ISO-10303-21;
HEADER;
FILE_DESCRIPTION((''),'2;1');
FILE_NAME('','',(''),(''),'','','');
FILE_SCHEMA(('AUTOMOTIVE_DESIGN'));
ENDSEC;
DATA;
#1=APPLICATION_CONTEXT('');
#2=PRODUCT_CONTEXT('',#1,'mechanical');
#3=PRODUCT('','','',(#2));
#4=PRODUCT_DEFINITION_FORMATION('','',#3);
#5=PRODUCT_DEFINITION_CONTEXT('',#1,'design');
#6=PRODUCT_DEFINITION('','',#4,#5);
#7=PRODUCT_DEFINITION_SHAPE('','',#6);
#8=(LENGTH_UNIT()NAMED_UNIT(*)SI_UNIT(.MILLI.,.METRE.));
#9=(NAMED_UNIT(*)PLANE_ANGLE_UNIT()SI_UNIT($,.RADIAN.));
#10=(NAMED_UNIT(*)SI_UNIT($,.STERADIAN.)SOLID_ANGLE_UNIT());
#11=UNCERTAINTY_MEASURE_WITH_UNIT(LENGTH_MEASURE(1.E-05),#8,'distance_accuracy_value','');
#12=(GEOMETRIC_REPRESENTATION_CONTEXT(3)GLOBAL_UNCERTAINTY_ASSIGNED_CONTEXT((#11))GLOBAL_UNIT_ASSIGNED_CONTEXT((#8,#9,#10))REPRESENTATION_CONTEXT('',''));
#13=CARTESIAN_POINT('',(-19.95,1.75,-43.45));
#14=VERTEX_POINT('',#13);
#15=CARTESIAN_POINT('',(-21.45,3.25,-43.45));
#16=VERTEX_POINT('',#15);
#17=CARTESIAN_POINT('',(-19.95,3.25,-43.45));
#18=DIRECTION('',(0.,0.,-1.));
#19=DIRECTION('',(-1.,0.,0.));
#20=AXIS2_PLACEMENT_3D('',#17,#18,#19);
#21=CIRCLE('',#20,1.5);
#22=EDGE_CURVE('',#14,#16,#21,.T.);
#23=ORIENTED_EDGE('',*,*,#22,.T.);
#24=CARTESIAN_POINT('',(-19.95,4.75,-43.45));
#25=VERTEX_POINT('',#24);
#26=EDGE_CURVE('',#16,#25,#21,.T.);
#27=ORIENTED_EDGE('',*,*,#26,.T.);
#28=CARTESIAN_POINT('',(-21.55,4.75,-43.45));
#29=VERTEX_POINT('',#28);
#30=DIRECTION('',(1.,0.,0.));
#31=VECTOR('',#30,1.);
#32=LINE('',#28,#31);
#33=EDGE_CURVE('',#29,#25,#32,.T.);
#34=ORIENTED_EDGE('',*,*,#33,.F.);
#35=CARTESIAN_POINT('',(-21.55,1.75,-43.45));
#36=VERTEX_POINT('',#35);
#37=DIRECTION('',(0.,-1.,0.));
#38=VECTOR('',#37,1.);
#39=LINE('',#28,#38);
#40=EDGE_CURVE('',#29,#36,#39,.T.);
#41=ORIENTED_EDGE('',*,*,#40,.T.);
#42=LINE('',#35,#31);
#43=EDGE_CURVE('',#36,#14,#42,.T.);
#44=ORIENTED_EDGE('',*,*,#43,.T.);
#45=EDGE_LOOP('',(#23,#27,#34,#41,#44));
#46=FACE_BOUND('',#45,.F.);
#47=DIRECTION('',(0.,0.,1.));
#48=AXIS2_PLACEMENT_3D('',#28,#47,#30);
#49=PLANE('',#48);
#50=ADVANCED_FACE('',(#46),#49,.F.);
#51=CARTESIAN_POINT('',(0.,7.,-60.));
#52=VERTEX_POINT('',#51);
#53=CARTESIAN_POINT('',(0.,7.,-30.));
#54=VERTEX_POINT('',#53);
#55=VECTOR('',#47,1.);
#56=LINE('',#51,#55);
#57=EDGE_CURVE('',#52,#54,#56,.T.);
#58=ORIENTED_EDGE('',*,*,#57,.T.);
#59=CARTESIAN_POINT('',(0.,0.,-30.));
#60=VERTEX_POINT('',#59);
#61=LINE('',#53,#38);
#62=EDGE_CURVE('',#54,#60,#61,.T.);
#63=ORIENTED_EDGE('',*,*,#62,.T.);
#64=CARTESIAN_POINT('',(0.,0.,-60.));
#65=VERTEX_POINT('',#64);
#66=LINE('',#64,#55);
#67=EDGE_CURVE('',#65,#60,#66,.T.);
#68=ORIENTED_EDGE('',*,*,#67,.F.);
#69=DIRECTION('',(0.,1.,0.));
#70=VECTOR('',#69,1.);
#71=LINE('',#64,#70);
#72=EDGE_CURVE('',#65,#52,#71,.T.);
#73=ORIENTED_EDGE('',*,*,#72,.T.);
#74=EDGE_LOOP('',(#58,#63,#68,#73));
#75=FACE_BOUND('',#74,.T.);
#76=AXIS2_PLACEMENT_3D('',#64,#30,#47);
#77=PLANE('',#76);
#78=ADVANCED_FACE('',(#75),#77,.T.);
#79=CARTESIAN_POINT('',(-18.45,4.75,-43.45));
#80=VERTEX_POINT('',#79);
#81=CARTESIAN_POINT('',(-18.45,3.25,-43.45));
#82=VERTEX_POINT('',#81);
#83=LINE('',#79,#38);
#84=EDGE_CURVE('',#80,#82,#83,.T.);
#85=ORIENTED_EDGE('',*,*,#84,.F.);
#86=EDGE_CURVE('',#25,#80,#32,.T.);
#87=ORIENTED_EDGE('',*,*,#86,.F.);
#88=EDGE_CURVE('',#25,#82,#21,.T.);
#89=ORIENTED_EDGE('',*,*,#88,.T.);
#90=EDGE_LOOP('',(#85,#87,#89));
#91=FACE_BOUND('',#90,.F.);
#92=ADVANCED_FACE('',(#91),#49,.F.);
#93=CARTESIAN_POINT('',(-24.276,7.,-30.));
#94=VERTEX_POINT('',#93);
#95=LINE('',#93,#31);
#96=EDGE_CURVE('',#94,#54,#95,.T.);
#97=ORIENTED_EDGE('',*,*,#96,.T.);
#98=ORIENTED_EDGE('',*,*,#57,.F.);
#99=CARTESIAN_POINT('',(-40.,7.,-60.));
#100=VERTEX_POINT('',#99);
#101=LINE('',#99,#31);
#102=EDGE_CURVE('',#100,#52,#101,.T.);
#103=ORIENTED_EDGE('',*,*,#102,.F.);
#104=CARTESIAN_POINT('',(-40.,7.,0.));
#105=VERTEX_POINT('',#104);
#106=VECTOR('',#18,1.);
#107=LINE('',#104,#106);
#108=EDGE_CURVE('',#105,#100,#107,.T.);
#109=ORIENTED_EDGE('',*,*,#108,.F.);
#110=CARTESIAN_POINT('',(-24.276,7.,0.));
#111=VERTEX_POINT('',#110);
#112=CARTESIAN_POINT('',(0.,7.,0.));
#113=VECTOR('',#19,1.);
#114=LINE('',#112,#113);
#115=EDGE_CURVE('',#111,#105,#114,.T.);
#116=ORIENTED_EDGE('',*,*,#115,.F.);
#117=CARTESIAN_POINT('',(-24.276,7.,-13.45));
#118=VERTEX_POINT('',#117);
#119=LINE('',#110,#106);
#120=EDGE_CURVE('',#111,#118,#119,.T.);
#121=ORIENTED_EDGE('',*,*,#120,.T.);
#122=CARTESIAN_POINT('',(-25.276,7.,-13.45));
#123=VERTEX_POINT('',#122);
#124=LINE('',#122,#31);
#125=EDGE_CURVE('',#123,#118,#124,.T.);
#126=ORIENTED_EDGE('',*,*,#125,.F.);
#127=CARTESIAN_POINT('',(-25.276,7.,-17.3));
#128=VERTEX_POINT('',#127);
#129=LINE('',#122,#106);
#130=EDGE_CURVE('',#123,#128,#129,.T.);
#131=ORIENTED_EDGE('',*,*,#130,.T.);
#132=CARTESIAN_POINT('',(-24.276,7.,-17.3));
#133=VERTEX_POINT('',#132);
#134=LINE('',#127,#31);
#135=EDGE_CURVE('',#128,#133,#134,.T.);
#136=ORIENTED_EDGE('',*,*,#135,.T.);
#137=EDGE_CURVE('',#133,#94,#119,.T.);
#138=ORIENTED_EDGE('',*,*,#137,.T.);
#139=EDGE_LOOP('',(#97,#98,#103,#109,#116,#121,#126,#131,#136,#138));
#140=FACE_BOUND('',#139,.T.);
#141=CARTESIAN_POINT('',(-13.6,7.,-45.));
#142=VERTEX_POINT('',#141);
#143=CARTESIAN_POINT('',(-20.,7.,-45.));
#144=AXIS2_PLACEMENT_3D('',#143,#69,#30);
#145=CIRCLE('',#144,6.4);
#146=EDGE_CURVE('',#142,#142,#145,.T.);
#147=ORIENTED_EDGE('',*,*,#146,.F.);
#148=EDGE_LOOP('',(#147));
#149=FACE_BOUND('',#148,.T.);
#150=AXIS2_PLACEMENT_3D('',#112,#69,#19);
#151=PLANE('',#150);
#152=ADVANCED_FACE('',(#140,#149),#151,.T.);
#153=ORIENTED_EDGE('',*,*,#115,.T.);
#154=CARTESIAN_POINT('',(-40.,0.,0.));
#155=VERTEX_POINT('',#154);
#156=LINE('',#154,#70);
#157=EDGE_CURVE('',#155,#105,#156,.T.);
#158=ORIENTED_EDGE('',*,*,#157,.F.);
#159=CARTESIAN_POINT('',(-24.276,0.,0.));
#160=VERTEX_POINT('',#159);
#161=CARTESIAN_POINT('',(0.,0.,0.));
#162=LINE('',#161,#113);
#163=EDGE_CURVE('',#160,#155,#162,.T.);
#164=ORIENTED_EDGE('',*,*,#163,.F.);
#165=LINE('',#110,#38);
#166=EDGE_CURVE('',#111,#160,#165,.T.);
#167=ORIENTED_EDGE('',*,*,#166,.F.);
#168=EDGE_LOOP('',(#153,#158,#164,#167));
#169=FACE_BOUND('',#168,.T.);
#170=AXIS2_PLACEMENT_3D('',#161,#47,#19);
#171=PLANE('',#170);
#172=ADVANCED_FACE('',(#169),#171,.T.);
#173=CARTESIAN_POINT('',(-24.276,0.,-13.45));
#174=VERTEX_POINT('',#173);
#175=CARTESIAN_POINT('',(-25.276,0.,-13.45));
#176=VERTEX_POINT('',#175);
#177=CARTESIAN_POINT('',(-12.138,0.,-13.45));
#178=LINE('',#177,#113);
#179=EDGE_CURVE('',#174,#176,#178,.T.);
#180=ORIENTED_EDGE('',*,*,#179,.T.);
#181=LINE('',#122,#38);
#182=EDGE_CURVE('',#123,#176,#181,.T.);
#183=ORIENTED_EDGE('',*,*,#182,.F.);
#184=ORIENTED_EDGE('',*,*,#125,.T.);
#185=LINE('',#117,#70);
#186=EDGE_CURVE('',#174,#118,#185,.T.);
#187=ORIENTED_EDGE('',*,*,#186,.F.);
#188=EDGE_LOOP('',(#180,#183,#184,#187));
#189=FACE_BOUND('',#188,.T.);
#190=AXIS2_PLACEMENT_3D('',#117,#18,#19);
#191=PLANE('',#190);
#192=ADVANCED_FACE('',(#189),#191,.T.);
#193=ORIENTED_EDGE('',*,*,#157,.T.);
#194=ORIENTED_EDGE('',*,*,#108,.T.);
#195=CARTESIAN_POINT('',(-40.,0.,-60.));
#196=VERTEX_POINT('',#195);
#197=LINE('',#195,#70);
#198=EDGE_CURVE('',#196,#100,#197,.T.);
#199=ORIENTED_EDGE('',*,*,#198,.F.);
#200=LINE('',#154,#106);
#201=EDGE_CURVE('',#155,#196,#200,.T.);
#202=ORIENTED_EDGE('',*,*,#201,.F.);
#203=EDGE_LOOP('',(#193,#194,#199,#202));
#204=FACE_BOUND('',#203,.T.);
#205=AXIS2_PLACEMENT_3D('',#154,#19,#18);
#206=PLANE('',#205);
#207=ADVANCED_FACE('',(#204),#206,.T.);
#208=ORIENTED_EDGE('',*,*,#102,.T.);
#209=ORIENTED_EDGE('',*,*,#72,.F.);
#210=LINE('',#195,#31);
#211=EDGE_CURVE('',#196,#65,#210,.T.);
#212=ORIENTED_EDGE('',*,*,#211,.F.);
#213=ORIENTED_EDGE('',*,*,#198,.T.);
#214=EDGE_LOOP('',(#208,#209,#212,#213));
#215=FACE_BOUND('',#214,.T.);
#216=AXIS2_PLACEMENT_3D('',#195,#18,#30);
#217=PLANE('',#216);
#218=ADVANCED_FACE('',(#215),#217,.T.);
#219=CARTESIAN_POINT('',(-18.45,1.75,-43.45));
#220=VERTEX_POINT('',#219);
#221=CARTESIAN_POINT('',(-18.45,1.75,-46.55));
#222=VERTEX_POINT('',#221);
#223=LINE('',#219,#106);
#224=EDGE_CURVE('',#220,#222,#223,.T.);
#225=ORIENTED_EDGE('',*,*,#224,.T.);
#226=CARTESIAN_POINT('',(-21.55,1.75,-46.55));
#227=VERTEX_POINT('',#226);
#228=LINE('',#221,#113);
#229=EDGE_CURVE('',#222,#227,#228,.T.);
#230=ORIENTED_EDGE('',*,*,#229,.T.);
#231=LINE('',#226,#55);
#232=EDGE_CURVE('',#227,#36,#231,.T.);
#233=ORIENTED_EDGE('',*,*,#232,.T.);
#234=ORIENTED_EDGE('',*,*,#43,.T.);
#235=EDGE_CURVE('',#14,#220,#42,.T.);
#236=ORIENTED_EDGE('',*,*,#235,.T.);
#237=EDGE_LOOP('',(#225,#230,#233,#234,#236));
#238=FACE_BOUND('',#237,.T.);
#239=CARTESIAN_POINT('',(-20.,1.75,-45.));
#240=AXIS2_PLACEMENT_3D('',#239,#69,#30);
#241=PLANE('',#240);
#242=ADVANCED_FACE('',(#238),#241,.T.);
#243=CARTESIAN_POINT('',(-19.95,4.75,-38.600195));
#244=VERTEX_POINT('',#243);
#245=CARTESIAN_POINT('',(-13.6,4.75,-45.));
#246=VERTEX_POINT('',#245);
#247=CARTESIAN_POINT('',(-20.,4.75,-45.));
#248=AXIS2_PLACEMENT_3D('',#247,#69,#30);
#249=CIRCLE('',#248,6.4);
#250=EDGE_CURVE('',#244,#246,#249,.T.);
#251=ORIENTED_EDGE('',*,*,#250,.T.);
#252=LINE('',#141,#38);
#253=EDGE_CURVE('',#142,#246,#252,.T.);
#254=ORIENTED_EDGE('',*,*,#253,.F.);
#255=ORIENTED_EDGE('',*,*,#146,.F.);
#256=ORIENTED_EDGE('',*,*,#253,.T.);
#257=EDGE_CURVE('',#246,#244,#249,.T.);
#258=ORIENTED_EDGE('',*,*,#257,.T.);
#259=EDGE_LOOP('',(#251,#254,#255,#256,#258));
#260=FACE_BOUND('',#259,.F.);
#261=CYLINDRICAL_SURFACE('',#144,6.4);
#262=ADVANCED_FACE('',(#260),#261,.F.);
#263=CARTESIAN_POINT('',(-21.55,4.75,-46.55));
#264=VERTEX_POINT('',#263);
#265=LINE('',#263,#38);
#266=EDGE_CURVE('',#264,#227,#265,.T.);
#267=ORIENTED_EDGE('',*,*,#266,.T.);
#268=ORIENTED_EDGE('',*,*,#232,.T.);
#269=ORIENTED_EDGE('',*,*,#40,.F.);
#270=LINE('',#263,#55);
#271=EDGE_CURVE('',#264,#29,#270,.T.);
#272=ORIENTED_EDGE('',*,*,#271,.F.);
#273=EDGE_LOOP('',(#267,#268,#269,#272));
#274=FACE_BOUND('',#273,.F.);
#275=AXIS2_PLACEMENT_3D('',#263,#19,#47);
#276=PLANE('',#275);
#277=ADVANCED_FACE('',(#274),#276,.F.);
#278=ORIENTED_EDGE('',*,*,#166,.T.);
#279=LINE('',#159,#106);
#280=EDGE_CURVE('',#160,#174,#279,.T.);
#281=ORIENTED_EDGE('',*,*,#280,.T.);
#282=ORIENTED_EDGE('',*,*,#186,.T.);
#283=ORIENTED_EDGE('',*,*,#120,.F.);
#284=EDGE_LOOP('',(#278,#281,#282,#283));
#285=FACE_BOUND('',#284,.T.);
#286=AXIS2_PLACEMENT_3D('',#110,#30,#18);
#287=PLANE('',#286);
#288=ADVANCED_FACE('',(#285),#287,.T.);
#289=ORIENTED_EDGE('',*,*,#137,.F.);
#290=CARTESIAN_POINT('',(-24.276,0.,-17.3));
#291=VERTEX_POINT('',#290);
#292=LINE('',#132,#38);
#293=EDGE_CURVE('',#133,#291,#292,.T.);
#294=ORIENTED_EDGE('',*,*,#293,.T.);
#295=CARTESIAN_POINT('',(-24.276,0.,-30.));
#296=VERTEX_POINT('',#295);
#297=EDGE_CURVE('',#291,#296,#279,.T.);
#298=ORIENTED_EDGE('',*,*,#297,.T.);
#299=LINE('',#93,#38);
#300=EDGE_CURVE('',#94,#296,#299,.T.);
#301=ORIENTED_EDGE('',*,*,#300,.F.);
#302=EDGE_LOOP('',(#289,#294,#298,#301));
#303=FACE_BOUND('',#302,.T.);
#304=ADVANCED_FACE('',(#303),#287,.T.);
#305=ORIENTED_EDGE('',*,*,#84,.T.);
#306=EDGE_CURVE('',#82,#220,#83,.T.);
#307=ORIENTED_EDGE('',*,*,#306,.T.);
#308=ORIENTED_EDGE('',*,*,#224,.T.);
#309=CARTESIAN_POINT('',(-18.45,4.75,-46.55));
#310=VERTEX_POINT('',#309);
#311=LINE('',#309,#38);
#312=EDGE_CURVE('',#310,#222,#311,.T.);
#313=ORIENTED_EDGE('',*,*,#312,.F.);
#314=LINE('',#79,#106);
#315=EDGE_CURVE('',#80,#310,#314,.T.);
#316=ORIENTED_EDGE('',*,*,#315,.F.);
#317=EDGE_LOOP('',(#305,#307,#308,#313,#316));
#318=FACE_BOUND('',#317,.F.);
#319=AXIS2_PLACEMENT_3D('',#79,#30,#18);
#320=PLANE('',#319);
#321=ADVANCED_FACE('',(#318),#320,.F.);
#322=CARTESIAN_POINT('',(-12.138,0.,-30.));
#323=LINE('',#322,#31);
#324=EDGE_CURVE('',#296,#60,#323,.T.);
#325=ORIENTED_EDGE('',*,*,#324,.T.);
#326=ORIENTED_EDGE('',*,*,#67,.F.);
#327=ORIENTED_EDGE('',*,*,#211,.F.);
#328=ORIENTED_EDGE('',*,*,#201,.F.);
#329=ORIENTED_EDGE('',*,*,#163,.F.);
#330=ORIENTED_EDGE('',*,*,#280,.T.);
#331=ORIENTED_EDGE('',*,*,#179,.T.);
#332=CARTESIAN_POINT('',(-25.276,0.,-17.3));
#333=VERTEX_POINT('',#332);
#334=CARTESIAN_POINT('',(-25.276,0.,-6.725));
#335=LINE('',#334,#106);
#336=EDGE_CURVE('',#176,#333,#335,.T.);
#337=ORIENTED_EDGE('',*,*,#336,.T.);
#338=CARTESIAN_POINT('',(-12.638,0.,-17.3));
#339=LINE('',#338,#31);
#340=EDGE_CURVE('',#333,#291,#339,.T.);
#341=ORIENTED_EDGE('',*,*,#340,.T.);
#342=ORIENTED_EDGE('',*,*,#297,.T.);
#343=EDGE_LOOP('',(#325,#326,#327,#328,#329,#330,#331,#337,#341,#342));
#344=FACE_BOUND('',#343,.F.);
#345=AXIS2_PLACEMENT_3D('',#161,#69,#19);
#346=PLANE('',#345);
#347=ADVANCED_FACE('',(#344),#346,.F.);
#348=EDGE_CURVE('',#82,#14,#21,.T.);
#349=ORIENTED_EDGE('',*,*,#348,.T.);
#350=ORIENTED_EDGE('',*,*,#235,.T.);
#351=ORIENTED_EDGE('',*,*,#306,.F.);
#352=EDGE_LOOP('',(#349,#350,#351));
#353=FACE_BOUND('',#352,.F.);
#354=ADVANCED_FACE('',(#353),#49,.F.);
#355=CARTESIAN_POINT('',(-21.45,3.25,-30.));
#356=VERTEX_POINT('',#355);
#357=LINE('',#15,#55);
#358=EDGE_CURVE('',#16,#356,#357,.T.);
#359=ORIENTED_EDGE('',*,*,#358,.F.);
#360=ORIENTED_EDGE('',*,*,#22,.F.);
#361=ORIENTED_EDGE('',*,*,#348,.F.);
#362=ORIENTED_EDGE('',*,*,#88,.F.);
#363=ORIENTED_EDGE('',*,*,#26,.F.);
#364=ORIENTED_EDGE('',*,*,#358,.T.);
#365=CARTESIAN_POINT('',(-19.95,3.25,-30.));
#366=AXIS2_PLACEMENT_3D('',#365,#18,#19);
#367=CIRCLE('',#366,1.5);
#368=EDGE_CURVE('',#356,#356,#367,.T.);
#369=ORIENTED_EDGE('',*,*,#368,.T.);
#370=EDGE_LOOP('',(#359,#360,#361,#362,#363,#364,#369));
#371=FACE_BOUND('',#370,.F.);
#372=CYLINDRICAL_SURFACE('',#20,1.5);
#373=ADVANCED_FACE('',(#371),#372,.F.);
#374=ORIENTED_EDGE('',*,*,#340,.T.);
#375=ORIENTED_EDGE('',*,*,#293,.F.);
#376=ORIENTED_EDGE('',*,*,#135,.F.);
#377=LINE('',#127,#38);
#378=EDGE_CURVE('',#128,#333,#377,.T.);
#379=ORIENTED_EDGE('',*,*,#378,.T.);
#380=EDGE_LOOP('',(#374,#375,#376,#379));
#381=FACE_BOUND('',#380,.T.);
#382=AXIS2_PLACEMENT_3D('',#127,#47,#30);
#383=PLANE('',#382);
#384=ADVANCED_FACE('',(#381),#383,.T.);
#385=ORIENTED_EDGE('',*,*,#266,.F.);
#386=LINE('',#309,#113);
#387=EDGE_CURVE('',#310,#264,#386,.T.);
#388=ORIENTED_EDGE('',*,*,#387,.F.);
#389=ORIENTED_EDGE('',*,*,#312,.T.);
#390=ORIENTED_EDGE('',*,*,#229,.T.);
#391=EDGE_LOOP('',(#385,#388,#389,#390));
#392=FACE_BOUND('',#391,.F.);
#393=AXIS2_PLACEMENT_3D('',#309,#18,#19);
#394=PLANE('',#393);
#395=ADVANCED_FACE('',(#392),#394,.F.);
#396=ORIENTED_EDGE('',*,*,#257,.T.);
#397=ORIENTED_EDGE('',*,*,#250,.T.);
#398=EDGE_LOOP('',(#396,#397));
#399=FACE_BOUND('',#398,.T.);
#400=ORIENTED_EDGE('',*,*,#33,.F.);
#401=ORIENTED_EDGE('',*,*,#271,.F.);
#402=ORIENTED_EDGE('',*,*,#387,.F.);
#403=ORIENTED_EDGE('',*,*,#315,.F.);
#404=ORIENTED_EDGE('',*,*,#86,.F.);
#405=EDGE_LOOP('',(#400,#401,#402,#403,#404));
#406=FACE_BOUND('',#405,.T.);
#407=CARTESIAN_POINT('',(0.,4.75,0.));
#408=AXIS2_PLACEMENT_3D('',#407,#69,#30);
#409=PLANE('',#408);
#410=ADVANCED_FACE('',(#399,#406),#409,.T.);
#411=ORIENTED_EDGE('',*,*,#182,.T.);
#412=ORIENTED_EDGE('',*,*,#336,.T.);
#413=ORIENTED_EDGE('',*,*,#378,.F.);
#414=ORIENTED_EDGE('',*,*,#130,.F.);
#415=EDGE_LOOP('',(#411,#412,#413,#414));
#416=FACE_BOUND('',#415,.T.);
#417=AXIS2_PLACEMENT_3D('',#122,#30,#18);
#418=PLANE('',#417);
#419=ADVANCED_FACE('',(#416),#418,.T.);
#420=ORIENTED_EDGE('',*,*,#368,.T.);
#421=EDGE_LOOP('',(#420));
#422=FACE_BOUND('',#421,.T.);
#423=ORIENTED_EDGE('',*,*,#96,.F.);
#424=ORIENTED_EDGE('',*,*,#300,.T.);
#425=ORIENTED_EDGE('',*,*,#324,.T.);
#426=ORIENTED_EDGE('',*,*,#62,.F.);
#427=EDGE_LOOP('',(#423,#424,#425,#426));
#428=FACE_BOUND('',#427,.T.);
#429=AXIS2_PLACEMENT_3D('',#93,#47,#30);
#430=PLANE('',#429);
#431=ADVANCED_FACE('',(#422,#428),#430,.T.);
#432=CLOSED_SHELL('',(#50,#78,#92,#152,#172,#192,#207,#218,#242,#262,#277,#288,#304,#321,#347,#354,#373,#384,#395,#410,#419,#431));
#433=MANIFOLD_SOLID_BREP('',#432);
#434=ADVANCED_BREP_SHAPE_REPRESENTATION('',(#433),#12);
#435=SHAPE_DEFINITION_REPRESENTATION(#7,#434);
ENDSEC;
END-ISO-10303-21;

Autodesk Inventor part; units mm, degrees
ref_plane "YZ Plane" through (0, 0, 0) normal (1, 0, 0) x (0, 1, 0)
ref_plane "XZ Plane" through (0, 0, 0) normal (0, 1, 0) x (-1, 0, 0)
ref_plane "XY Plane" through (0, 0, 0) normal (0, 0, 1) x (1, 0, 0)
sketch "Sketch1" plane through (0, 0, 0) normal (0, 1, 0) x (-1, 0, 0)
  line L0 (0, 0) -> (40, 0)
  line L1 (40, 0) -> (40, -60)
  line L2 (40, -60) -> (0, -60)
  line L3 (0, -60) -> (0, 0)
  dimension "d0" = 40
  dimension "d1" = 60
extrude "Extrusion1" add sketch "Sketch1" along normal blind 7
sketch "Sketch2" plane through (0, 7, 0) normal (0, 1, 0) x (1, 0, 0)
  line L0 (-40, 0) -> (0, 0) projected
  line L1 (0, 0) -> (-24.276, 0)
  line L2 (-24.276, 0) -> (-24.276, 30)
  line L3 (-24.276, 30) -> (0, 30)
  line L4 (0, 30) -> (0, 0)
  dimension "d4" = 24.276
  dimension "d5" = 30
extrude "Extrusion2" cut sketch "Sketch2" against normal through all
sketch "Sketch3" plane through (0, 7, 0) normal (0, 1, 0) x (1, 0, 0)
  circle A0 centre (-20, 45) radius 6.4
  point P0 (0, 0)
  dimension "d8" = 12.8
extrude "Extrusion3" cut sketch "Sketch3" against normal blind 2.25
sketch "Sketch4" plane through (-20, 4.75, -45) normal (0, 1, 0) x (1, 0, 0)
  line L0 (-1.55, -1.55) -> (1.55, -1.55)
  line L1 (1.55, -1.55) -> (1.55, 1.55)
  line L2 (1.55, 1.55) -> (-1.55, 1.55)
  line L3 (-1.55, 1.55) -> (-1.55, -1.55)
  line L4 (-1.55, -1.55) -> (1.55, 1.55) construction
  line L5 (1.55, -1.55) -> (-1.55, 1.55) construction
  point P0 (20, -45)
  point P1 (0, 0)
  dimension "d11" = 3.1
  dimension "d12" = 3.1
extrude "Extrusion4" cut sketch "Sketch4" against normal blind 3
sketch "Sketch6" plane through (-18.45, 4.75, -43.45) normal (0, 0, -1) x (-1, 0, 0)
  circle A0 centre (1.5, -1.5) radius 1.5
  point P0 (-18.45, -4.75)
  dimension "d18" = 3
extrude "Extrusion6" cut sketch "Sketch6" against normal through all
sketch "Sketch7" plane through (0, 7, 0) normal (0, 1, 0) x (1, 0, 0)
  line L0 (-25.276, 17.3) -> (-21.276, 17.3)
  line L1 (-21.276, 17.3) -> (-21.276, 13.45)
  line L2 (-21.276, 13.45) -> (-25.276, 13.45)
  line L3 (-25.276, 13.45) -> (-25.276, 17.3)
  line L4 (-24.276, 0) -> (-24.276, 30) projected
  line L5 (-24.276, 30) -> (0, 30) projected
  point P0 (0, 0)
  dimension "d21" = 3.85
  dimension "d22" = 1
  dimension "d23" = 4
  dimension "d24" = 12.7
extrude "Extrusion7" cut sketch "Sketch7" against normal through all
properties part number "torch_light_injection_3d_pirnt_v0-1_20feb25" material "ABS Plastic"
